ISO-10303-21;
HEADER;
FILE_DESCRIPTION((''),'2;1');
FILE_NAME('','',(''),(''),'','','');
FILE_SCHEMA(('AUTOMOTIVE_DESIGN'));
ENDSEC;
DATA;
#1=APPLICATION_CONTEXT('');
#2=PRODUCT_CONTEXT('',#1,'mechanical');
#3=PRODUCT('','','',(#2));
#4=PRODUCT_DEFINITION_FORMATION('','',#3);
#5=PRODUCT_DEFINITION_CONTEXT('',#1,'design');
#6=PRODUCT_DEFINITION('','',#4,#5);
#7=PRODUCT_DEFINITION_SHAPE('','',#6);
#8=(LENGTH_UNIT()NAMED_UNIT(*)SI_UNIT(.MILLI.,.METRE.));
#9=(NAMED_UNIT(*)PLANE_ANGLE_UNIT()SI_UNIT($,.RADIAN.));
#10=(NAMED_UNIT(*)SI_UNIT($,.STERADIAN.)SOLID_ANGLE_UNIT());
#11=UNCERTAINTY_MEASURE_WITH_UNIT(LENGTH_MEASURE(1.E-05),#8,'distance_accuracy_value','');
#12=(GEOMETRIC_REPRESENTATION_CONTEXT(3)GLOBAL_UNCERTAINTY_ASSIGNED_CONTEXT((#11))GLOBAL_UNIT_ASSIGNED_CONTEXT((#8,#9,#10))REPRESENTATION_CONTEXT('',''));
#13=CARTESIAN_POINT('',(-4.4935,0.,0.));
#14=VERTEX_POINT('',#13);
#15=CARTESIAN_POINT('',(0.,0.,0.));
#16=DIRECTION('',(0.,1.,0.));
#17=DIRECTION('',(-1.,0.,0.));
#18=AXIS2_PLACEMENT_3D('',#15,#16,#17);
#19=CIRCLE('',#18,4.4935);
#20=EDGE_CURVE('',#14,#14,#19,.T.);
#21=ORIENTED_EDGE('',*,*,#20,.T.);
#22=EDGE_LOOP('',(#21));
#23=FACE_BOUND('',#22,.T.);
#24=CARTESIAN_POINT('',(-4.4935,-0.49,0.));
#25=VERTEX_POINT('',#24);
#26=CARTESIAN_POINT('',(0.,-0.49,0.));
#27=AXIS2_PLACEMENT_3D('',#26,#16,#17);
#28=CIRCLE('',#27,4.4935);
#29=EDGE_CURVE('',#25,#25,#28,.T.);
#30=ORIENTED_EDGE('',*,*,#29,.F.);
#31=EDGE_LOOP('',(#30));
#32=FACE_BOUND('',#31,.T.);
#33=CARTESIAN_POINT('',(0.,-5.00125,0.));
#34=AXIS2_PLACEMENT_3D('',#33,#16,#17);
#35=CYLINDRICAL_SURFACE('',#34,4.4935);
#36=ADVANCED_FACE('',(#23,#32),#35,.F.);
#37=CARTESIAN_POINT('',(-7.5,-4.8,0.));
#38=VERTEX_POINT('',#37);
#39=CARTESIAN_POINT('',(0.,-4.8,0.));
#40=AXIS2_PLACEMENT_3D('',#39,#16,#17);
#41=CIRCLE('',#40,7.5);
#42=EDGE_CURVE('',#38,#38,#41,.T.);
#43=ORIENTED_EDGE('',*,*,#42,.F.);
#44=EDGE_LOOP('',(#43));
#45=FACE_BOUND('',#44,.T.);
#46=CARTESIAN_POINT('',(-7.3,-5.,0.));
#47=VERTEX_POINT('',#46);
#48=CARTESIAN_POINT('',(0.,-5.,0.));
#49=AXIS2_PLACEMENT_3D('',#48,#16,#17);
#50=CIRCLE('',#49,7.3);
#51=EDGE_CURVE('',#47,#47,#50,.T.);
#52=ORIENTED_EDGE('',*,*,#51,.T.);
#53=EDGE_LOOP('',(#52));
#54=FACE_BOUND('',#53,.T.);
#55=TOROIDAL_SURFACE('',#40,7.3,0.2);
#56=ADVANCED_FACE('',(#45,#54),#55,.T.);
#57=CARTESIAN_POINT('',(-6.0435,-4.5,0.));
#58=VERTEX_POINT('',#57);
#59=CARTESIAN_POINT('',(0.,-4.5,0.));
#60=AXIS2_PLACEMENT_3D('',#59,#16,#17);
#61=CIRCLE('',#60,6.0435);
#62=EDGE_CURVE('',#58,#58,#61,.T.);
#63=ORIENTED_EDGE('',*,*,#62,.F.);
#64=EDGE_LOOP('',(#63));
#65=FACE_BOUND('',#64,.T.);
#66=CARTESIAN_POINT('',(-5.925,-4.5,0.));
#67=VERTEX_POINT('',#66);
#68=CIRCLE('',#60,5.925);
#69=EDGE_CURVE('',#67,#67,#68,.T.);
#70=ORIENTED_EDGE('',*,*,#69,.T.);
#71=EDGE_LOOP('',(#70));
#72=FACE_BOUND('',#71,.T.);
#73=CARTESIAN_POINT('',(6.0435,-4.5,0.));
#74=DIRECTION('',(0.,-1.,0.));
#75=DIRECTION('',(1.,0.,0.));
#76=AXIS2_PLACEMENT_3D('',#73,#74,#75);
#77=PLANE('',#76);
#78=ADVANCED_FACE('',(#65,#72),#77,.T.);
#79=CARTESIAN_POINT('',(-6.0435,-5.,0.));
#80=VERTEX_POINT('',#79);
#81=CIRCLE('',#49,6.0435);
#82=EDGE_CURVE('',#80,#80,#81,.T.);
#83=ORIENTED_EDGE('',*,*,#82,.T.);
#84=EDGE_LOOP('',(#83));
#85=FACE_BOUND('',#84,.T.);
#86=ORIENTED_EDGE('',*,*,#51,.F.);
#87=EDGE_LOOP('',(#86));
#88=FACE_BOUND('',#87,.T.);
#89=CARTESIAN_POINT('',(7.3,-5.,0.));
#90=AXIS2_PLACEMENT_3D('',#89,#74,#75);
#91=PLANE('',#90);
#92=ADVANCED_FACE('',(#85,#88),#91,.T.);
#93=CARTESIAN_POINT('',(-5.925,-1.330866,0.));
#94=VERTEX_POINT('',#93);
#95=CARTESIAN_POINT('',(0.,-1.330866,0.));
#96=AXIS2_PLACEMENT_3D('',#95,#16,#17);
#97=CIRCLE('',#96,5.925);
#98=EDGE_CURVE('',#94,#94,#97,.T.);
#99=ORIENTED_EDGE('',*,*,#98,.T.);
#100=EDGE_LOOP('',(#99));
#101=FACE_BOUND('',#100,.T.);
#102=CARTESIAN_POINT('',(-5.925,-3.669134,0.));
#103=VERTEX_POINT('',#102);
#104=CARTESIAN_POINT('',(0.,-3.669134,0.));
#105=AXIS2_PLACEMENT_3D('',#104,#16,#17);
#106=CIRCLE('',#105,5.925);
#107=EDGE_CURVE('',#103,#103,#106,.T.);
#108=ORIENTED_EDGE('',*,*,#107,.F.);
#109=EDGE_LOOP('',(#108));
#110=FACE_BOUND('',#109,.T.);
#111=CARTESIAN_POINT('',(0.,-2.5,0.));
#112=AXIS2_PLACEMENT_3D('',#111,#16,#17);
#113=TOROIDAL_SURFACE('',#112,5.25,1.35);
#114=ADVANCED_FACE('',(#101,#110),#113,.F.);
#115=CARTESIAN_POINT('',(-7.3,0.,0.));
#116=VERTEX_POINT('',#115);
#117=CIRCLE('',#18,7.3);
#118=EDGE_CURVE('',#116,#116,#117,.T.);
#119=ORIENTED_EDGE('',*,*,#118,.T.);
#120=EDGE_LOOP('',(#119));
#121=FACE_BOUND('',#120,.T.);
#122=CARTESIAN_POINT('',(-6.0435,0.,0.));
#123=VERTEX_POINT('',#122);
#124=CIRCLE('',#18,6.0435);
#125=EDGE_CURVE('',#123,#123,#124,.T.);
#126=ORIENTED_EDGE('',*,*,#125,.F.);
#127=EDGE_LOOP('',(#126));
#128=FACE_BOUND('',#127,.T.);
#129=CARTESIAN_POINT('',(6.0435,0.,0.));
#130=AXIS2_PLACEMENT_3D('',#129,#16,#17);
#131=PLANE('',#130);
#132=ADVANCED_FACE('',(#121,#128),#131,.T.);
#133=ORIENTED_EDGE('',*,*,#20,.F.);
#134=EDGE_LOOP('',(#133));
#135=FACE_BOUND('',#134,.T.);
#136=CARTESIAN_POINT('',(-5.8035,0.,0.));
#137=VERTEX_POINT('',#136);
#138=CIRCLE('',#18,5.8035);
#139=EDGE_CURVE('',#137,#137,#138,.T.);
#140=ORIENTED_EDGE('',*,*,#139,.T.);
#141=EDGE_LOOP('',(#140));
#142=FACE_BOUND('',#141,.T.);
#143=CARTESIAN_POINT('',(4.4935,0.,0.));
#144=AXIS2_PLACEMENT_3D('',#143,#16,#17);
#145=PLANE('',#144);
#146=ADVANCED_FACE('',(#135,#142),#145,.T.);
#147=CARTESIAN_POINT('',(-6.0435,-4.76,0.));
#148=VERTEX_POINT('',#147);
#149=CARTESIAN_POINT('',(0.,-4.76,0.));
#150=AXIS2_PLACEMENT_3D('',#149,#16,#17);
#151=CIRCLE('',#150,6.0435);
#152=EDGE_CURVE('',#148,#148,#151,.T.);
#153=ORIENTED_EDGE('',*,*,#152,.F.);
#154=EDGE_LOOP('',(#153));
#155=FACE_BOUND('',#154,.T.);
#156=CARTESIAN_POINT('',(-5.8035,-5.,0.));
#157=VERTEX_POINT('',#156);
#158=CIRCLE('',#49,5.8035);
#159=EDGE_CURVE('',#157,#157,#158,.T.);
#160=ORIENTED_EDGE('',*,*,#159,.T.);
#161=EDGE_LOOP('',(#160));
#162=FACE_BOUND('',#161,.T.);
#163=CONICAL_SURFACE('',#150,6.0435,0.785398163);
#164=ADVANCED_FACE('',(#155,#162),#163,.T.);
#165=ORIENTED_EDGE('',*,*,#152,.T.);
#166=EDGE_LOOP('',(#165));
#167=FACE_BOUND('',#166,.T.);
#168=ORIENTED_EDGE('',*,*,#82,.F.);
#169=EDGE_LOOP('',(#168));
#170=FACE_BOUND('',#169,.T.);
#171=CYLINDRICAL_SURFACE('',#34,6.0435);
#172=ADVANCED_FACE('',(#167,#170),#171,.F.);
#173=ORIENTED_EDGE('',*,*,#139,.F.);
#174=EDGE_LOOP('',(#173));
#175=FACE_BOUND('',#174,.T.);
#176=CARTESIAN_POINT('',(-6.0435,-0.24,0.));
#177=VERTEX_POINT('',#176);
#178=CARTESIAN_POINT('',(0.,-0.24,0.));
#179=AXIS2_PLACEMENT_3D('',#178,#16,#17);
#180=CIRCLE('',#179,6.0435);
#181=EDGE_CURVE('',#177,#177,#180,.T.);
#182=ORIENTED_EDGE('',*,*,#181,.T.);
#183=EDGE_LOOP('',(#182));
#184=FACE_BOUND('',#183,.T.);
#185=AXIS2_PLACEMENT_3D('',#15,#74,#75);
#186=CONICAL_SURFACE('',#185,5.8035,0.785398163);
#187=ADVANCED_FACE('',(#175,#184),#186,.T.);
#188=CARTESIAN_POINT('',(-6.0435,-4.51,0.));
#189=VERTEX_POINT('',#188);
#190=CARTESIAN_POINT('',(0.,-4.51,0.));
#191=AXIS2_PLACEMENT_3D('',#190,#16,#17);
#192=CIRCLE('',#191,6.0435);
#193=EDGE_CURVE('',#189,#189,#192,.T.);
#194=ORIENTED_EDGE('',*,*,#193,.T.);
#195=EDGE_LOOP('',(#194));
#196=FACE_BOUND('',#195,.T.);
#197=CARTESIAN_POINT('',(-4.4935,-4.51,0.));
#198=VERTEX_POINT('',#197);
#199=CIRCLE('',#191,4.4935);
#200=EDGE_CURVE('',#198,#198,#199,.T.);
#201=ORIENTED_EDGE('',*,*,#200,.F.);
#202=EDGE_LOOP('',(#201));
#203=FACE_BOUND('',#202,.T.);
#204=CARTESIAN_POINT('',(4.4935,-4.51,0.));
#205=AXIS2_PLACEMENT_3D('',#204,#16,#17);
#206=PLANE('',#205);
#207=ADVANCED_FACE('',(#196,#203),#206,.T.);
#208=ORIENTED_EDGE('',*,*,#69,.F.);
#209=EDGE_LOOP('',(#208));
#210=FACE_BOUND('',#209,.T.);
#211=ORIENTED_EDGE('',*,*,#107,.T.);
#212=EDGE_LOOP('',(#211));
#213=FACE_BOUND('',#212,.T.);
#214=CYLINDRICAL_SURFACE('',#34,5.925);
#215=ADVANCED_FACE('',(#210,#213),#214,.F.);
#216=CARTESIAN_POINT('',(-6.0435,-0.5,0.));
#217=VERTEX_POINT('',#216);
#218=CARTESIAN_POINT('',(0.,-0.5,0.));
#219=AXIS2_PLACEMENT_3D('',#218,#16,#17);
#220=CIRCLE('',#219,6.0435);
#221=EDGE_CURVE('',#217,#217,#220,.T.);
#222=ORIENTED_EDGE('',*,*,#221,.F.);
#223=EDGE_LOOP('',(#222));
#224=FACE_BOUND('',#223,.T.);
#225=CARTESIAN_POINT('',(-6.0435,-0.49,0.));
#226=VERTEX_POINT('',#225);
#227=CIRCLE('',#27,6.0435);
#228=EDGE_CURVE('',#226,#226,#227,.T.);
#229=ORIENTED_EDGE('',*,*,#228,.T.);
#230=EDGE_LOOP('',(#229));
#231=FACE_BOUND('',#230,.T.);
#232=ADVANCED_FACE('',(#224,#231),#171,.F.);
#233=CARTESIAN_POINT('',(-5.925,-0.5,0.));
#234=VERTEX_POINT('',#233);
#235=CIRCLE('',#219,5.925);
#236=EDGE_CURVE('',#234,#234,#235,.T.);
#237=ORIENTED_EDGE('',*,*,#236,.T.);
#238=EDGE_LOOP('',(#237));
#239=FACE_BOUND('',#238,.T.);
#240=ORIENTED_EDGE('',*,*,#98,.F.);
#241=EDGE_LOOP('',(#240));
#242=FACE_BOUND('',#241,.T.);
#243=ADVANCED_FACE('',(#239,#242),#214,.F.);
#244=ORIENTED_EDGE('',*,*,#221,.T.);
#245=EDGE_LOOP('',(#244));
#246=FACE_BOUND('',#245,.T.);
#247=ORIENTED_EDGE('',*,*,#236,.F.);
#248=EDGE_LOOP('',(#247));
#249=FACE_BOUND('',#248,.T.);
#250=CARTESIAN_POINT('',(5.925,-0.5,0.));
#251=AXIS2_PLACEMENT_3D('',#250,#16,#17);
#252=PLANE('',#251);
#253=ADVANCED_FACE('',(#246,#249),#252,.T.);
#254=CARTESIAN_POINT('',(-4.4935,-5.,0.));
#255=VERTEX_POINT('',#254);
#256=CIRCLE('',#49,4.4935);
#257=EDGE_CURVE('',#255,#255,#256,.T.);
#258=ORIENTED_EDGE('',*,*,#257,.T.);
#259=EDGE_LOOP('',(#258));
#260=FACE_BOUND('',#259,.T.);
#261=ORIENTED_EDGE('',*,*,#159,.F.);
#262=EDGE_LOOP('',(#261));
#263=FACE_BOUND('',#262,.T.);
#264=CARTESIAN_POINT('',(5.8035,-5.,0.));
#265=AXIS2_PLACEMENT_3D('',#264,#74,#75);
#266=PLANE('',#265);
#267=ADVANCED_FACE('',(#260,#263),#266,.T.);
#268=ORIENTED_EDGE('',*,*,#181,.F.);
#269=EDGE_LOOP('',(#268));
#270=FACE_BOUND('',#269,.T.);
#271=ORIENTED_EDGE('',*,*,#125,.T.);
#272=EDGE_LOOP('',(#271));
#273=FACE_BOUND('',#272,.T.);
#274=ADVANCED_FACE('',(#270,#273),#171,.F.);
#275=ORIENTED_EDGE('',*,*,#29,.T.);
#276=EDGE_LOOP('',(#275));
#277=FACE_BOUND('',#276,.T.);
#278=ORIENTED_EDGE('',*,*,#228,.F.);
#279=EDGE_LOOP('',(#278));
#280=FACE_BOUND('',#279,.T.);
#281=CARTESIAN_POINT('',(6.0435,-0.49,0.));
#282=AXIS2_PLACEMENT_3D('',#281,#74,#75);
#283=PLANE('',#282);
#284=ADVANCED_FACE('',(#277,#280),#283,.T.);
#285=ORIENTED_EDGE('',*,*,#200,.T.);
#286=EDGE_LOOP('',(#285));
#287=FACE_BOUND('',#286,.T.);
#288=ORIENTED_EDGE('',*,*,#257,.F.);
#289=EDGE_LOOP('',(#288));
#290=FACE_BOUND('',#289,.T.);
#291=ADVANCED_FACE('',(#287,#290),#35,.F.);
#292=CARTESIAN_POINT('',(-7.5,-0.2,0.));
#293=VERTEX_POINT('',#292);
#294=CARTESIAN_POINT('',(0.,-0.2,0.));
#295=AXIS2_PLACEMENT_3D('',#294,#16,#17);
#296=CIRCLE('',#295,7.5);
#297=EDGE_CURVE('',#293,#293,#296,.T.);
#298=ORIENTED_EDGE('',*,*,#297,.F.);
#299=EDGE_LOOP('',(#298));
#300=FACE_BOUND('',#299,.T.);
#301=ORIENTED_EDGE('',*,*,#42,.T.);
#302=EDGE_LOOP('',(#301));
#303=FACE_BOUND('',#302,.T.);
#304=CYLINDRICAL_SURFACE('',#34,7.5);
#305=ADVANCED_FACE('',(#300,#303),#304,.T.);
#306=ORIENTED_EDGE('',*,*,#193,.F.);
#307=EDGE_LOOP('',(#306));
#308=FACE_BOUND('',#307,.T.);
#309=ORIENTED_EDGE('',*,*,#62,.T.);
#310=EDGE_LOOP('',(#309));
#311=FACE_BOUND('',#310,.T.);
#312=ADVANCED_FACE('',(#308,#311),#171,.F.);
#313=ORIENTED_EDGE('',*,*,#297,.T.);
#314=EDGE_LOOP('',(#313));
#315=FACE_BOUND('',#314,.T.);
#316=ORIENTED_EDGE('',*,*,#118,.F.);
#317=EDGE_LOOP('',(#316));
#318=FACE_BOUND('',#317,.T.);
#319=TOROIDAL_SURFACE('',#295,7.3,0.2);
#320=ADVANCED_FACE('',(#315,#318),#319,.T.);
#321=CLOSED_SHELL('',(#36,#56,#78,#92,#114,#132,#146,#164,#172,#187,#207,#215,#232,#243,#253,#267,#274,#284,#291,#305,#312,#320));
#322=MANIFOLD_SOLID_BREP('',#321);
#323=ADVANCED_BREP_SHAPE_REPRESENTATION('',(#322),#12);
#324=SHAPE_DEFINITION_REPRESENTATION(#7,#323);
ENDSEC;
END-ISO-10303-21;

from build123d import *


with BuildPart() as part:
    # Sketch1 → Revolve1 (revolve)
    with BuildSketch(Plane(origin=(0, 0, 0), x_dir=(-1, 0, 0), z_dir=(0, 0, -1))):
        with BuildLine():
            Line((-5.925, -4.5), (-5.925, -3.669134295))
            ThreePointArc((-5.925, -3.669134295), (-6.6, -2.5), (-5.925, -1.330865705))
            Line((-5.925, -1.330865705), (-5.925, -0.5))
            Line((-5.925, -0.5), (-6.0435, -0.5))
            Line((-6.0435, -0.5), (-6.0435, -0.49))
            Line((-6.0435, -0.49), (-4.4935, -0.49))
            Line((-4.4935, -0.49), (-4.4935, 0))
            Line((-4.4935, 0), (-5.8035, 0))
            Line((-5.8035, 0), (-6.0435, -0.24))
            Line((-6.0435, -0.24), (-6.0435, 0))
            Line((-6.0435, 0), (-7.3, 0))
            ThreePointArc((-7.3, 0), (-7.441421356, -0.058578644), (-7.5, -0.2))
            Line((-7.5, -0.2), (-7.5, -4.8))
            ThreePointArc((-7.5, -4.8), (-7.441421356, -4.941421356), (-7.3, -5))
            Line((-7.3, -5), (-6.0435, -5))
            Line((-6.0435, -5), (-6.0435, -4.76))
            Line((-6.0435, -4.76), (-5.8035, -5))
            Line((-5.8035, -5), (-4.4935, -5))
            Line((-4.4935, -5), (-4.4935, -4.51))
            Line((-4.4935, -4.51), (-6.0435, -4.51))
            Line((-6.0435, -4.51), (-6.0435, -4.5))
            Line((-6.0435, -4.5), (-5.925, -4.5))
        make_face()
    revolve(axis=Axis((0, -5.001250002, 0), (0, 1, 0)))


solid = part.part
